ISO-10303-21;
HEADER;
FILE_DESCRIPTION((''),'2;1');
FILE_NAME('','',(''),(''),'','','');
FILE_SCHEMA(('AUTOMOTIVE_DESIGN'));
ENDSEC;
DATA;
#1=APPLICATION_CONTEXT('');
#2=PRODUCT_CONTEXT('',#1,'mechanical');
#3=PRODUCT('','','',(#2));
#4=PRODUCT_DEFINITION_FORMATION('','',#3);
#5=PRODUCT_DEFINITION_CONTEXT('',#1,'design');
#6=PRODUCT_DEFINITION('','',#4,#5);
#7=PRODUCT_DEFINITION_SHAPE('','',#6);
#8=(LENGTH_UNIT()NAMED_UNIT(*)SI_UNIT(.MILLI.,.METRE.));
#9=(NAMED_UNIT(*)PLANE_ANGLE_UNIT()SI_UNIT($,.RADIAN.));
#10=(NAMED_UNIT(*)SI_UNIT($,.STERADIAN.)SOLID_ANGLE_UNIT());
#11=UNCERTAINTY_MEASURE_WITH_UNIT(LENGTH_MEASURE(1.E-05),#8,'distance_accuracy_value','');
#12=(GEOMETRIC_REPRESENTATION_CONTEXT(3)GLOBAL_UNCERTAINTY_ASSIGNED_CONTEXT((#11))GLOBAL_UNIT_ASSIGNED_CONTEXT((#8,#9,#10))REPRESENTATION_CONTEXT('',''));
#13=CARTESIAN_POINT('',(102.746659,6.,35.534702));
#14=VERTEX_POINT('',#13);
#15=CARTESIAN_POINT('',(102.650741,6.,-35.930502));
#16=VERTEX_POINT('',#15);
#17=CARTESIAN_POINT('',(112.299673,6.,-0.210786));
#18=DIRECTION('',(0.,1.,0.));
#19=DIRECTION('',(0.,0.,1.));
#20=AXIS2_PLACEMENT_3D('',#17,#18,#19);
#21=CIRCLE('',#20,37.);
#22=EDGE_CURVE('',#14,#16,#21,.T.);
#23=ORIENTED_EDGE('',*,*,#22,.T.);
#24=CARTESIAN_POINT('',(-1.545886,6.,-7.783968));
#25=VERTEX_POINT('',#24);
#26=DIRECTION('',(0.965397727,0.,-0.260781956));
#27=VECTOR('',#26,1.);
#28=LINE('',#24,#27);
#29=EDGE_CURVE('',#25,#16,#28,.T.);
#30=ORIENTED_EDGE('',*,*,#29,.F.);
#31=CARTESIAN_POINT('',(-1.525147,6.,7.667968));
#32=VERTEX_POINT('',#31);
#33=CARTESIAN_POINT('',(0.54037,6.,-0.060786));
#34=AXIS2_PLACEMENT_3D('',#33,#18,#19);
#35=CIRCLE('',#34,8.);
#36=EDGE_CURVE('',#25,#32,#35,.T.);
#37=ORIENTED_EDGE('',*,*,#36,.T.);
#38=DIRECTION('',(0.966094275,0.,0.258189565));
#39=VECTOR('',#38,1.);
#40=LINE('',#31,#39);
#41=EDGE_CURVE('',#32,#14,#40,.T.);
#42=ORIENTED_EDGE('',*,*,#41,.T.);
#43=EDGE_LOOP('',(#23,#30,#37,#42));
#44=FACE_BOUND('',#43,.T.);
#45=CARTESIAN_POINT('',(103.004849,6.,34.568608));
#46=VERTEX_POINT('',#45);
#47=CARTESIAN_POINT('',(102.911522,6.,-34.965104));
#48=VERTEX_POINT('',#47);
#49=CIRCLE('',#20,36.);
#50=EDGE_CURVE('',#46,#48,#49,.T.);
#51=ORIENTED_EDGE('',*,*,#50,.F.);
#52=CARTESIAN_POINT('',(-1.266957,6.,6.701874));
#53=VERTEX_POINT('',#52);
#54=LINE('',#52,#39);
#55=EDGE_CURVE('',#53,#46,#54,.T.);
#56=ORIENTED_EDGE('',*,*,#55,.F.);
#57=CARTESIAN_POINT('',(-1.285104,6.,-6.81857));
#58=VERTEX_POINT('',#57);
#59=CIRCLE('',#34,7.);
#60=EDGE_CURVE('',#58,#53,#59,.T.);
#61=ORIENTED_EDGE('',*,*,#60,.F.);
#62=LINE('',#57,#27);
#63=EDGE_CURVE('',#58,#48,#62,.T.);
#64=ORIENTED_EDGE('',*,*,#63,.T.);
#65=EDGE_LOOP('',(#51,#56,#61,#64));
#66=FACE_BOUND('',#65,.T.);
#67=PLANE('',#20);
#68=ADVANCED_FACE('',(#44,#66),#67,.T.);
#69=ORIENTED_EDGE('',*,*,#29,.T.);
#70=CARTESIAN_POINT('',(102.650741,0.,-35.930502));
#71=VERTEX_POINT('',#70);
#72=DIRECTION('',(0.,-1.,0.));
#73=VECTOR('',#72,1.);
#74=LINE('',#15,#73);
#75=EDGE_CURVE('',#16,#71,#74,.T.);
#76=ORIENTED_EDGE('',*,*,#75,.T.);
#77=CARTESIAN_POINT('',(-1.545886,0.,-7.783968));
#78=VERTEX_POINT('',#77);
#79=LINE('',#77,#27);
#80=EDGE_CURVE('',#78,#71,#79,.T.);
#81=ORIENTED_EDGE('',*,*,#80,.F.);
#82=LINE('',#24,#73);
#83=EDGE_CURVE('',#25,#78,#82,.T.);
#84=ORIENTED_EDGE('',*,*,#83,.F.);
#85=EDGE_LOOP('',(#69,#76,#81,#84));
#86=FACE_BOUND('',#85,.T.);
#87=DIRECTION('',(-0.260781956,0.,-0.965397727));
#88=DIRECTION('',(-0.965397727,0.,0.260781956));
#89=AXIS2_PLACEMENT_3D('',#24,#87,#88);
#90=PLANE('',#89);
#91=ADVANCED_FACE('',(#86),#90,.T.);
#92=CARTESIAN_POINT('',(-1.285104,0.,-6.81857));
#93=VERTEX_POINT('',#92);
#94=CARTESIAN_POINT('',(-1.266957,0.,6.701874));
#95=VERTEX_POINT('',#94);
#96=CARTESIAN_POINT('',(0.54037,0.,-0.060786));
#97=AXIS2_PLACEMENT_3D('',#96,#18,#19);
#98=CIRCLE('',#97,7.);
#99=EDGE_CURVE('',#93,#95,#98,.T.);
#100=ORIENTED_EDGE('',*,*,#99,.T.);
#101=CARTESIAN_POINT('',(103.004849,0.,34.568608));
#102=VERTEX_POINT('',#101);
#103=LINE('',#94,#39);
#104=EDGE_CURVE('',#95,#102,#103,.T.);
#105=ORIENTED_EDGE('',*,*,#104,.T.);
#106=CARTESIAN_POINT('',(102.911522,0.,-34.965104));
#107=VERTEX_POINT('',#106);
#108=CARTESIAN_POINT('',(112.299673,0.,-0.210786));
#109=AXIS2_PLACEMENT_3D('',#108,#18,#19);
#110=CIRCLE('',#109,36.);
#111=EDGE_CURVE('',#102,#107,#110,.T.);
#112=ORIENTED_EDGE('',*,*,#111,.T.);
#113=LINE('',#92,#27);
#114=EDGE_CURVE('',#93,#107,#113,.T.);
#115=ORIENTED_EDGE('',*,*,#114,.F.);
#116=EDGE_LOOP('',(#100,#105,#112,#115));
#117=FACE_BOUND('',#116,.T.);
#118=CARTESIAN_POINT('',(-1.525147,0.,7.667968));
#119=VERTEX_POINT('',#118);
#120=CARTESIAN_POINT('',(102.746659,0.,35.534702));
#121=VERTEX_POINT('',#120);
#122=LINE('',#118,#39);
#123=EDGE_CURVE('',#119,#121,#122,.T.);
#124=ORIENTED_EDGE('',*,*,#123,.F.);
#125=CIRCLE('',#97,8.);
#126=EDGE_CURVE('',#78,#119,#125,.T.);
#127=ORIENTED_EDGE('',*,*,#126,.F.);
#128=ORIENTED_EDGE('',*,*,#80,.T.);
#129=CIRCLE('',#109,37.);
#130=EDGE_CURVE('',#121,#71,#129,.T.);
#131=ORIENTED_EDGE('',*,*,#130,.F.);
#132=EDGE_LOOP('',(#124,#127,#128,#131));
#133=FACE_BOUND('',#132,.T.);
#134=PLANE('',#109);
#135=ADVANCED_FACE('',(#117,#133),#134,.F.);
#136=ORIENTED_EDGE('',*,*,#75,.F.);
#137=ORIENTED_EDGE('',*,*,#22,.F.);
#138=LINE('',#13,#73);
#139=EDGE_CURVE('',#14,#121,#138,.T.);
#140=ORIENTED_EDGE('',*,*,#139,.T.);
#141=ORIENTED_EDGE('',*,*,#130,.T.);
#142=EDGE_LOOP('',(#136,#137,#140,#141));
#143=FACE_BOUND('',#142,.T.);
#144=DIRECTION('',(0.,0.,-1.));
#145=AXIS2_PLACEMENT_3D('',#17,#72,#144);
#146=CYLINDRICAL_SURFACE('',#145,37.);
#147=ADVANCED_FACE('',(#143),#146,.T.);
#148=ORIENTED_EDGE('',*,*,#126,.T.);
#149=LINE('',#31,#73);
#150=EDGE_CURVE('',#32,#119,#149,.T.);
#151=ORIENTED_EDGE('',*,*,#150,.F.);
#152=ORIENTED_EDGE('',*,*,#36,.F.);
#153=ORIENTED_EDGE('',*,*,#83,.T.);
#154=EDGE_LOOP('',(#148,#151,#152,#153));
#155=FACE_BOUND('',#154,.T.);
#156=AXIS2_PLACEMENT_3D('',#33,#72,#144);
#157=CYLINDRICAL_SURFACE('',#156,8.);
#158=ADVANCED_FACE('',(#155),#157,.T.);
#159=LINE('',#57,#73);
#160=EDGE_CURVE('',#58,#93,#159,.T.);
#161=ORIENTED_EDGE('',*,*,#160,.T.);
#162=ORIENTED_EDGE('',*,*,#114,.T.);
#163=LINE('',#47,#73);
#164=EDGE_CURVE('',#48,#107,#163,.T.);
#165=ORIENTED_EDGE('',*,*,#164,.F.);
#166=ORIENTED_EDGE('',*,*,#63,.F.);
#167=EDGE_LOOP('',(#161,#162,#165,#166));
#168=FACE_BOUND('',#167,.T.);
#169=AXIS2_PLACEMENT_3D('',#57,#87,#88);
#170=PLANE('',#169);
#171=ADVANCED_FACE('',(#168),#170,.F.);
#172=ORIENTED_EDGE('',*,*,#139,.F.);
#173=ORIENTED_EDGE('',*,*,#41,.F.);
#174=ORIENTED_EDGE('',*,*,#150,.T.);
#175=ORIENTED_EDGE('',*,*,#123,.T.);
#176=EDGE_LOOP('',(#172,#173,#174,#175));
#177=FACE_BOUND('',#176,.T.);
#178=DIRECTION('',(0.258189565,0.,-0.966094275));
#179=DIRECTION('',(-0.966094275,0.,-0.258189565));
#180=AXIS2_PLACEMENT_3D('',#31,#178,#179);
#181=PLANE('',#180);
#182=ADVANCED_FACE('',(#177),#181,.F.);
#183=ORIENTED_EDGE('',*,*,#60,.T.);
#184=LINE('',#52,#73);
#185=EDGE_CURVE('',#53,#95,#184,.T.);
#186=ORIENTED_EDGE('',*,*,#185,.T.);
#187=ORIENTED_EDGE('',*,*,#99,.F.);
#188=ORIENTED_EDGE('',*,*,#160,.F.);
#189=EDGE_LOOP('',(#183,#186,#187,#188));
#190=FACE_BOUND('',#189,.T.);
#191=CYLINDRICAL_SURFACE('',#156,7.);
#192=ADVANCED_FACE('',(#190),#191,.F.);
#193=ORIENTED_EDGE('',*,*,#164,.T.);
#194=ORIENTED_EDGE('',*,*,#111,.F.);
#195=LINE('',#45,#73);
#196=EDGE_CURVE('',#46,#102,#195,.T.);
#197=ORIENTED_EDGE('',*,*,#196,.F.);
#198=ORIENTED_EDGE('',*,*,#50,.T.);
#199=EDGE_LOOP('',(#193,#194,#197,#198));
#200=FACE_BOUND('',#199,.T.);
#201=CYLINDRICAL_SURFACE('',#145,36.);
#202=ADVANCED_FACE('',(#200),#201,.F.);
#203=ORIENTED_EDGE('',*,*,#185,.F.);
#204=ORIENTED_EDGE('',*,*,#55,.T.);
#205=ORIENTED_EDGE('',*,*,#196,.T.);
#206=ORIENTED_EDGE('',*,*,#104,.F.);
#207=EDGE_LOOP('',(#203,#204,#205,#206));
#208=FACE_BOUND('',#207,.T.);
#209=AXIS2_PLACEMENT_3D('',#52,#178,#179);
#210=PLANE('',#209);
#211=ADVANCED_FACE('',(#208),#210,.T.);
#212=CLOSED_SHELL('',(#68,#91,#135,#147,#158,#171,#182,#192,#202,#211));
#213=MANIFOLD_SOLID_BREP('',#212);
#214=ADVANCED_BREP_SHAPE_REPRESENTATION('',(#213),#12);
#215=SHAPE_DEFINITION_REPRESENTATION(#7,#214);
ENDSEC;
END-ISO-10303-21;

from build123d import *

# Parameters (mm, degrees)
BOSS_EXTRUDE1_DEPTH = 6


with BuildPart() as part:
    # Sketch1 → Boss-Extrude1 (new body)
    with BuildSketch(Plane(origin=(0, 0, 0), x_dir=(1, 0, 0), z_dir=(0, 1, 0))):
        with BuildLine():
            Line((-1.525146579, -7.667968265), (102.746658993, -35.534702243))
            ThreePointArc((102.746658993, -35.534702243), (149.299639585, 0.260446186), (102.650740529, 35.930501834))
            Line((102.650740529, 35.930501834), (-1.545885706, 7.783967751))
            ThreePointArc((-1.545885706, 7.783967751), (-7.45962285, 0.050048584), (-1.525146579, -7.667968265))
        make_face()
        with BuildLine():
            Line((-1.266957013, -6.70187399), (103.004848558, -34.568607967))
            ThreePointArc((103.004848558, -34.568607967), (148.299640486, 0.259104017), (102.911522486, 34.965104107))
            Line((102.911522486, 34.965104107), (-1.28510375, 6.818570024))
            ThreePointArc((-1.28510375, 6.818570024), (-6.459623751, 0.051390753), (-1.266957013, -6.70187399))
        make_face(mode=Mode.SUBTRACT)
    extrude(amount=BOSS_EXTRUDE1_DEPTH)


solid = part.part
